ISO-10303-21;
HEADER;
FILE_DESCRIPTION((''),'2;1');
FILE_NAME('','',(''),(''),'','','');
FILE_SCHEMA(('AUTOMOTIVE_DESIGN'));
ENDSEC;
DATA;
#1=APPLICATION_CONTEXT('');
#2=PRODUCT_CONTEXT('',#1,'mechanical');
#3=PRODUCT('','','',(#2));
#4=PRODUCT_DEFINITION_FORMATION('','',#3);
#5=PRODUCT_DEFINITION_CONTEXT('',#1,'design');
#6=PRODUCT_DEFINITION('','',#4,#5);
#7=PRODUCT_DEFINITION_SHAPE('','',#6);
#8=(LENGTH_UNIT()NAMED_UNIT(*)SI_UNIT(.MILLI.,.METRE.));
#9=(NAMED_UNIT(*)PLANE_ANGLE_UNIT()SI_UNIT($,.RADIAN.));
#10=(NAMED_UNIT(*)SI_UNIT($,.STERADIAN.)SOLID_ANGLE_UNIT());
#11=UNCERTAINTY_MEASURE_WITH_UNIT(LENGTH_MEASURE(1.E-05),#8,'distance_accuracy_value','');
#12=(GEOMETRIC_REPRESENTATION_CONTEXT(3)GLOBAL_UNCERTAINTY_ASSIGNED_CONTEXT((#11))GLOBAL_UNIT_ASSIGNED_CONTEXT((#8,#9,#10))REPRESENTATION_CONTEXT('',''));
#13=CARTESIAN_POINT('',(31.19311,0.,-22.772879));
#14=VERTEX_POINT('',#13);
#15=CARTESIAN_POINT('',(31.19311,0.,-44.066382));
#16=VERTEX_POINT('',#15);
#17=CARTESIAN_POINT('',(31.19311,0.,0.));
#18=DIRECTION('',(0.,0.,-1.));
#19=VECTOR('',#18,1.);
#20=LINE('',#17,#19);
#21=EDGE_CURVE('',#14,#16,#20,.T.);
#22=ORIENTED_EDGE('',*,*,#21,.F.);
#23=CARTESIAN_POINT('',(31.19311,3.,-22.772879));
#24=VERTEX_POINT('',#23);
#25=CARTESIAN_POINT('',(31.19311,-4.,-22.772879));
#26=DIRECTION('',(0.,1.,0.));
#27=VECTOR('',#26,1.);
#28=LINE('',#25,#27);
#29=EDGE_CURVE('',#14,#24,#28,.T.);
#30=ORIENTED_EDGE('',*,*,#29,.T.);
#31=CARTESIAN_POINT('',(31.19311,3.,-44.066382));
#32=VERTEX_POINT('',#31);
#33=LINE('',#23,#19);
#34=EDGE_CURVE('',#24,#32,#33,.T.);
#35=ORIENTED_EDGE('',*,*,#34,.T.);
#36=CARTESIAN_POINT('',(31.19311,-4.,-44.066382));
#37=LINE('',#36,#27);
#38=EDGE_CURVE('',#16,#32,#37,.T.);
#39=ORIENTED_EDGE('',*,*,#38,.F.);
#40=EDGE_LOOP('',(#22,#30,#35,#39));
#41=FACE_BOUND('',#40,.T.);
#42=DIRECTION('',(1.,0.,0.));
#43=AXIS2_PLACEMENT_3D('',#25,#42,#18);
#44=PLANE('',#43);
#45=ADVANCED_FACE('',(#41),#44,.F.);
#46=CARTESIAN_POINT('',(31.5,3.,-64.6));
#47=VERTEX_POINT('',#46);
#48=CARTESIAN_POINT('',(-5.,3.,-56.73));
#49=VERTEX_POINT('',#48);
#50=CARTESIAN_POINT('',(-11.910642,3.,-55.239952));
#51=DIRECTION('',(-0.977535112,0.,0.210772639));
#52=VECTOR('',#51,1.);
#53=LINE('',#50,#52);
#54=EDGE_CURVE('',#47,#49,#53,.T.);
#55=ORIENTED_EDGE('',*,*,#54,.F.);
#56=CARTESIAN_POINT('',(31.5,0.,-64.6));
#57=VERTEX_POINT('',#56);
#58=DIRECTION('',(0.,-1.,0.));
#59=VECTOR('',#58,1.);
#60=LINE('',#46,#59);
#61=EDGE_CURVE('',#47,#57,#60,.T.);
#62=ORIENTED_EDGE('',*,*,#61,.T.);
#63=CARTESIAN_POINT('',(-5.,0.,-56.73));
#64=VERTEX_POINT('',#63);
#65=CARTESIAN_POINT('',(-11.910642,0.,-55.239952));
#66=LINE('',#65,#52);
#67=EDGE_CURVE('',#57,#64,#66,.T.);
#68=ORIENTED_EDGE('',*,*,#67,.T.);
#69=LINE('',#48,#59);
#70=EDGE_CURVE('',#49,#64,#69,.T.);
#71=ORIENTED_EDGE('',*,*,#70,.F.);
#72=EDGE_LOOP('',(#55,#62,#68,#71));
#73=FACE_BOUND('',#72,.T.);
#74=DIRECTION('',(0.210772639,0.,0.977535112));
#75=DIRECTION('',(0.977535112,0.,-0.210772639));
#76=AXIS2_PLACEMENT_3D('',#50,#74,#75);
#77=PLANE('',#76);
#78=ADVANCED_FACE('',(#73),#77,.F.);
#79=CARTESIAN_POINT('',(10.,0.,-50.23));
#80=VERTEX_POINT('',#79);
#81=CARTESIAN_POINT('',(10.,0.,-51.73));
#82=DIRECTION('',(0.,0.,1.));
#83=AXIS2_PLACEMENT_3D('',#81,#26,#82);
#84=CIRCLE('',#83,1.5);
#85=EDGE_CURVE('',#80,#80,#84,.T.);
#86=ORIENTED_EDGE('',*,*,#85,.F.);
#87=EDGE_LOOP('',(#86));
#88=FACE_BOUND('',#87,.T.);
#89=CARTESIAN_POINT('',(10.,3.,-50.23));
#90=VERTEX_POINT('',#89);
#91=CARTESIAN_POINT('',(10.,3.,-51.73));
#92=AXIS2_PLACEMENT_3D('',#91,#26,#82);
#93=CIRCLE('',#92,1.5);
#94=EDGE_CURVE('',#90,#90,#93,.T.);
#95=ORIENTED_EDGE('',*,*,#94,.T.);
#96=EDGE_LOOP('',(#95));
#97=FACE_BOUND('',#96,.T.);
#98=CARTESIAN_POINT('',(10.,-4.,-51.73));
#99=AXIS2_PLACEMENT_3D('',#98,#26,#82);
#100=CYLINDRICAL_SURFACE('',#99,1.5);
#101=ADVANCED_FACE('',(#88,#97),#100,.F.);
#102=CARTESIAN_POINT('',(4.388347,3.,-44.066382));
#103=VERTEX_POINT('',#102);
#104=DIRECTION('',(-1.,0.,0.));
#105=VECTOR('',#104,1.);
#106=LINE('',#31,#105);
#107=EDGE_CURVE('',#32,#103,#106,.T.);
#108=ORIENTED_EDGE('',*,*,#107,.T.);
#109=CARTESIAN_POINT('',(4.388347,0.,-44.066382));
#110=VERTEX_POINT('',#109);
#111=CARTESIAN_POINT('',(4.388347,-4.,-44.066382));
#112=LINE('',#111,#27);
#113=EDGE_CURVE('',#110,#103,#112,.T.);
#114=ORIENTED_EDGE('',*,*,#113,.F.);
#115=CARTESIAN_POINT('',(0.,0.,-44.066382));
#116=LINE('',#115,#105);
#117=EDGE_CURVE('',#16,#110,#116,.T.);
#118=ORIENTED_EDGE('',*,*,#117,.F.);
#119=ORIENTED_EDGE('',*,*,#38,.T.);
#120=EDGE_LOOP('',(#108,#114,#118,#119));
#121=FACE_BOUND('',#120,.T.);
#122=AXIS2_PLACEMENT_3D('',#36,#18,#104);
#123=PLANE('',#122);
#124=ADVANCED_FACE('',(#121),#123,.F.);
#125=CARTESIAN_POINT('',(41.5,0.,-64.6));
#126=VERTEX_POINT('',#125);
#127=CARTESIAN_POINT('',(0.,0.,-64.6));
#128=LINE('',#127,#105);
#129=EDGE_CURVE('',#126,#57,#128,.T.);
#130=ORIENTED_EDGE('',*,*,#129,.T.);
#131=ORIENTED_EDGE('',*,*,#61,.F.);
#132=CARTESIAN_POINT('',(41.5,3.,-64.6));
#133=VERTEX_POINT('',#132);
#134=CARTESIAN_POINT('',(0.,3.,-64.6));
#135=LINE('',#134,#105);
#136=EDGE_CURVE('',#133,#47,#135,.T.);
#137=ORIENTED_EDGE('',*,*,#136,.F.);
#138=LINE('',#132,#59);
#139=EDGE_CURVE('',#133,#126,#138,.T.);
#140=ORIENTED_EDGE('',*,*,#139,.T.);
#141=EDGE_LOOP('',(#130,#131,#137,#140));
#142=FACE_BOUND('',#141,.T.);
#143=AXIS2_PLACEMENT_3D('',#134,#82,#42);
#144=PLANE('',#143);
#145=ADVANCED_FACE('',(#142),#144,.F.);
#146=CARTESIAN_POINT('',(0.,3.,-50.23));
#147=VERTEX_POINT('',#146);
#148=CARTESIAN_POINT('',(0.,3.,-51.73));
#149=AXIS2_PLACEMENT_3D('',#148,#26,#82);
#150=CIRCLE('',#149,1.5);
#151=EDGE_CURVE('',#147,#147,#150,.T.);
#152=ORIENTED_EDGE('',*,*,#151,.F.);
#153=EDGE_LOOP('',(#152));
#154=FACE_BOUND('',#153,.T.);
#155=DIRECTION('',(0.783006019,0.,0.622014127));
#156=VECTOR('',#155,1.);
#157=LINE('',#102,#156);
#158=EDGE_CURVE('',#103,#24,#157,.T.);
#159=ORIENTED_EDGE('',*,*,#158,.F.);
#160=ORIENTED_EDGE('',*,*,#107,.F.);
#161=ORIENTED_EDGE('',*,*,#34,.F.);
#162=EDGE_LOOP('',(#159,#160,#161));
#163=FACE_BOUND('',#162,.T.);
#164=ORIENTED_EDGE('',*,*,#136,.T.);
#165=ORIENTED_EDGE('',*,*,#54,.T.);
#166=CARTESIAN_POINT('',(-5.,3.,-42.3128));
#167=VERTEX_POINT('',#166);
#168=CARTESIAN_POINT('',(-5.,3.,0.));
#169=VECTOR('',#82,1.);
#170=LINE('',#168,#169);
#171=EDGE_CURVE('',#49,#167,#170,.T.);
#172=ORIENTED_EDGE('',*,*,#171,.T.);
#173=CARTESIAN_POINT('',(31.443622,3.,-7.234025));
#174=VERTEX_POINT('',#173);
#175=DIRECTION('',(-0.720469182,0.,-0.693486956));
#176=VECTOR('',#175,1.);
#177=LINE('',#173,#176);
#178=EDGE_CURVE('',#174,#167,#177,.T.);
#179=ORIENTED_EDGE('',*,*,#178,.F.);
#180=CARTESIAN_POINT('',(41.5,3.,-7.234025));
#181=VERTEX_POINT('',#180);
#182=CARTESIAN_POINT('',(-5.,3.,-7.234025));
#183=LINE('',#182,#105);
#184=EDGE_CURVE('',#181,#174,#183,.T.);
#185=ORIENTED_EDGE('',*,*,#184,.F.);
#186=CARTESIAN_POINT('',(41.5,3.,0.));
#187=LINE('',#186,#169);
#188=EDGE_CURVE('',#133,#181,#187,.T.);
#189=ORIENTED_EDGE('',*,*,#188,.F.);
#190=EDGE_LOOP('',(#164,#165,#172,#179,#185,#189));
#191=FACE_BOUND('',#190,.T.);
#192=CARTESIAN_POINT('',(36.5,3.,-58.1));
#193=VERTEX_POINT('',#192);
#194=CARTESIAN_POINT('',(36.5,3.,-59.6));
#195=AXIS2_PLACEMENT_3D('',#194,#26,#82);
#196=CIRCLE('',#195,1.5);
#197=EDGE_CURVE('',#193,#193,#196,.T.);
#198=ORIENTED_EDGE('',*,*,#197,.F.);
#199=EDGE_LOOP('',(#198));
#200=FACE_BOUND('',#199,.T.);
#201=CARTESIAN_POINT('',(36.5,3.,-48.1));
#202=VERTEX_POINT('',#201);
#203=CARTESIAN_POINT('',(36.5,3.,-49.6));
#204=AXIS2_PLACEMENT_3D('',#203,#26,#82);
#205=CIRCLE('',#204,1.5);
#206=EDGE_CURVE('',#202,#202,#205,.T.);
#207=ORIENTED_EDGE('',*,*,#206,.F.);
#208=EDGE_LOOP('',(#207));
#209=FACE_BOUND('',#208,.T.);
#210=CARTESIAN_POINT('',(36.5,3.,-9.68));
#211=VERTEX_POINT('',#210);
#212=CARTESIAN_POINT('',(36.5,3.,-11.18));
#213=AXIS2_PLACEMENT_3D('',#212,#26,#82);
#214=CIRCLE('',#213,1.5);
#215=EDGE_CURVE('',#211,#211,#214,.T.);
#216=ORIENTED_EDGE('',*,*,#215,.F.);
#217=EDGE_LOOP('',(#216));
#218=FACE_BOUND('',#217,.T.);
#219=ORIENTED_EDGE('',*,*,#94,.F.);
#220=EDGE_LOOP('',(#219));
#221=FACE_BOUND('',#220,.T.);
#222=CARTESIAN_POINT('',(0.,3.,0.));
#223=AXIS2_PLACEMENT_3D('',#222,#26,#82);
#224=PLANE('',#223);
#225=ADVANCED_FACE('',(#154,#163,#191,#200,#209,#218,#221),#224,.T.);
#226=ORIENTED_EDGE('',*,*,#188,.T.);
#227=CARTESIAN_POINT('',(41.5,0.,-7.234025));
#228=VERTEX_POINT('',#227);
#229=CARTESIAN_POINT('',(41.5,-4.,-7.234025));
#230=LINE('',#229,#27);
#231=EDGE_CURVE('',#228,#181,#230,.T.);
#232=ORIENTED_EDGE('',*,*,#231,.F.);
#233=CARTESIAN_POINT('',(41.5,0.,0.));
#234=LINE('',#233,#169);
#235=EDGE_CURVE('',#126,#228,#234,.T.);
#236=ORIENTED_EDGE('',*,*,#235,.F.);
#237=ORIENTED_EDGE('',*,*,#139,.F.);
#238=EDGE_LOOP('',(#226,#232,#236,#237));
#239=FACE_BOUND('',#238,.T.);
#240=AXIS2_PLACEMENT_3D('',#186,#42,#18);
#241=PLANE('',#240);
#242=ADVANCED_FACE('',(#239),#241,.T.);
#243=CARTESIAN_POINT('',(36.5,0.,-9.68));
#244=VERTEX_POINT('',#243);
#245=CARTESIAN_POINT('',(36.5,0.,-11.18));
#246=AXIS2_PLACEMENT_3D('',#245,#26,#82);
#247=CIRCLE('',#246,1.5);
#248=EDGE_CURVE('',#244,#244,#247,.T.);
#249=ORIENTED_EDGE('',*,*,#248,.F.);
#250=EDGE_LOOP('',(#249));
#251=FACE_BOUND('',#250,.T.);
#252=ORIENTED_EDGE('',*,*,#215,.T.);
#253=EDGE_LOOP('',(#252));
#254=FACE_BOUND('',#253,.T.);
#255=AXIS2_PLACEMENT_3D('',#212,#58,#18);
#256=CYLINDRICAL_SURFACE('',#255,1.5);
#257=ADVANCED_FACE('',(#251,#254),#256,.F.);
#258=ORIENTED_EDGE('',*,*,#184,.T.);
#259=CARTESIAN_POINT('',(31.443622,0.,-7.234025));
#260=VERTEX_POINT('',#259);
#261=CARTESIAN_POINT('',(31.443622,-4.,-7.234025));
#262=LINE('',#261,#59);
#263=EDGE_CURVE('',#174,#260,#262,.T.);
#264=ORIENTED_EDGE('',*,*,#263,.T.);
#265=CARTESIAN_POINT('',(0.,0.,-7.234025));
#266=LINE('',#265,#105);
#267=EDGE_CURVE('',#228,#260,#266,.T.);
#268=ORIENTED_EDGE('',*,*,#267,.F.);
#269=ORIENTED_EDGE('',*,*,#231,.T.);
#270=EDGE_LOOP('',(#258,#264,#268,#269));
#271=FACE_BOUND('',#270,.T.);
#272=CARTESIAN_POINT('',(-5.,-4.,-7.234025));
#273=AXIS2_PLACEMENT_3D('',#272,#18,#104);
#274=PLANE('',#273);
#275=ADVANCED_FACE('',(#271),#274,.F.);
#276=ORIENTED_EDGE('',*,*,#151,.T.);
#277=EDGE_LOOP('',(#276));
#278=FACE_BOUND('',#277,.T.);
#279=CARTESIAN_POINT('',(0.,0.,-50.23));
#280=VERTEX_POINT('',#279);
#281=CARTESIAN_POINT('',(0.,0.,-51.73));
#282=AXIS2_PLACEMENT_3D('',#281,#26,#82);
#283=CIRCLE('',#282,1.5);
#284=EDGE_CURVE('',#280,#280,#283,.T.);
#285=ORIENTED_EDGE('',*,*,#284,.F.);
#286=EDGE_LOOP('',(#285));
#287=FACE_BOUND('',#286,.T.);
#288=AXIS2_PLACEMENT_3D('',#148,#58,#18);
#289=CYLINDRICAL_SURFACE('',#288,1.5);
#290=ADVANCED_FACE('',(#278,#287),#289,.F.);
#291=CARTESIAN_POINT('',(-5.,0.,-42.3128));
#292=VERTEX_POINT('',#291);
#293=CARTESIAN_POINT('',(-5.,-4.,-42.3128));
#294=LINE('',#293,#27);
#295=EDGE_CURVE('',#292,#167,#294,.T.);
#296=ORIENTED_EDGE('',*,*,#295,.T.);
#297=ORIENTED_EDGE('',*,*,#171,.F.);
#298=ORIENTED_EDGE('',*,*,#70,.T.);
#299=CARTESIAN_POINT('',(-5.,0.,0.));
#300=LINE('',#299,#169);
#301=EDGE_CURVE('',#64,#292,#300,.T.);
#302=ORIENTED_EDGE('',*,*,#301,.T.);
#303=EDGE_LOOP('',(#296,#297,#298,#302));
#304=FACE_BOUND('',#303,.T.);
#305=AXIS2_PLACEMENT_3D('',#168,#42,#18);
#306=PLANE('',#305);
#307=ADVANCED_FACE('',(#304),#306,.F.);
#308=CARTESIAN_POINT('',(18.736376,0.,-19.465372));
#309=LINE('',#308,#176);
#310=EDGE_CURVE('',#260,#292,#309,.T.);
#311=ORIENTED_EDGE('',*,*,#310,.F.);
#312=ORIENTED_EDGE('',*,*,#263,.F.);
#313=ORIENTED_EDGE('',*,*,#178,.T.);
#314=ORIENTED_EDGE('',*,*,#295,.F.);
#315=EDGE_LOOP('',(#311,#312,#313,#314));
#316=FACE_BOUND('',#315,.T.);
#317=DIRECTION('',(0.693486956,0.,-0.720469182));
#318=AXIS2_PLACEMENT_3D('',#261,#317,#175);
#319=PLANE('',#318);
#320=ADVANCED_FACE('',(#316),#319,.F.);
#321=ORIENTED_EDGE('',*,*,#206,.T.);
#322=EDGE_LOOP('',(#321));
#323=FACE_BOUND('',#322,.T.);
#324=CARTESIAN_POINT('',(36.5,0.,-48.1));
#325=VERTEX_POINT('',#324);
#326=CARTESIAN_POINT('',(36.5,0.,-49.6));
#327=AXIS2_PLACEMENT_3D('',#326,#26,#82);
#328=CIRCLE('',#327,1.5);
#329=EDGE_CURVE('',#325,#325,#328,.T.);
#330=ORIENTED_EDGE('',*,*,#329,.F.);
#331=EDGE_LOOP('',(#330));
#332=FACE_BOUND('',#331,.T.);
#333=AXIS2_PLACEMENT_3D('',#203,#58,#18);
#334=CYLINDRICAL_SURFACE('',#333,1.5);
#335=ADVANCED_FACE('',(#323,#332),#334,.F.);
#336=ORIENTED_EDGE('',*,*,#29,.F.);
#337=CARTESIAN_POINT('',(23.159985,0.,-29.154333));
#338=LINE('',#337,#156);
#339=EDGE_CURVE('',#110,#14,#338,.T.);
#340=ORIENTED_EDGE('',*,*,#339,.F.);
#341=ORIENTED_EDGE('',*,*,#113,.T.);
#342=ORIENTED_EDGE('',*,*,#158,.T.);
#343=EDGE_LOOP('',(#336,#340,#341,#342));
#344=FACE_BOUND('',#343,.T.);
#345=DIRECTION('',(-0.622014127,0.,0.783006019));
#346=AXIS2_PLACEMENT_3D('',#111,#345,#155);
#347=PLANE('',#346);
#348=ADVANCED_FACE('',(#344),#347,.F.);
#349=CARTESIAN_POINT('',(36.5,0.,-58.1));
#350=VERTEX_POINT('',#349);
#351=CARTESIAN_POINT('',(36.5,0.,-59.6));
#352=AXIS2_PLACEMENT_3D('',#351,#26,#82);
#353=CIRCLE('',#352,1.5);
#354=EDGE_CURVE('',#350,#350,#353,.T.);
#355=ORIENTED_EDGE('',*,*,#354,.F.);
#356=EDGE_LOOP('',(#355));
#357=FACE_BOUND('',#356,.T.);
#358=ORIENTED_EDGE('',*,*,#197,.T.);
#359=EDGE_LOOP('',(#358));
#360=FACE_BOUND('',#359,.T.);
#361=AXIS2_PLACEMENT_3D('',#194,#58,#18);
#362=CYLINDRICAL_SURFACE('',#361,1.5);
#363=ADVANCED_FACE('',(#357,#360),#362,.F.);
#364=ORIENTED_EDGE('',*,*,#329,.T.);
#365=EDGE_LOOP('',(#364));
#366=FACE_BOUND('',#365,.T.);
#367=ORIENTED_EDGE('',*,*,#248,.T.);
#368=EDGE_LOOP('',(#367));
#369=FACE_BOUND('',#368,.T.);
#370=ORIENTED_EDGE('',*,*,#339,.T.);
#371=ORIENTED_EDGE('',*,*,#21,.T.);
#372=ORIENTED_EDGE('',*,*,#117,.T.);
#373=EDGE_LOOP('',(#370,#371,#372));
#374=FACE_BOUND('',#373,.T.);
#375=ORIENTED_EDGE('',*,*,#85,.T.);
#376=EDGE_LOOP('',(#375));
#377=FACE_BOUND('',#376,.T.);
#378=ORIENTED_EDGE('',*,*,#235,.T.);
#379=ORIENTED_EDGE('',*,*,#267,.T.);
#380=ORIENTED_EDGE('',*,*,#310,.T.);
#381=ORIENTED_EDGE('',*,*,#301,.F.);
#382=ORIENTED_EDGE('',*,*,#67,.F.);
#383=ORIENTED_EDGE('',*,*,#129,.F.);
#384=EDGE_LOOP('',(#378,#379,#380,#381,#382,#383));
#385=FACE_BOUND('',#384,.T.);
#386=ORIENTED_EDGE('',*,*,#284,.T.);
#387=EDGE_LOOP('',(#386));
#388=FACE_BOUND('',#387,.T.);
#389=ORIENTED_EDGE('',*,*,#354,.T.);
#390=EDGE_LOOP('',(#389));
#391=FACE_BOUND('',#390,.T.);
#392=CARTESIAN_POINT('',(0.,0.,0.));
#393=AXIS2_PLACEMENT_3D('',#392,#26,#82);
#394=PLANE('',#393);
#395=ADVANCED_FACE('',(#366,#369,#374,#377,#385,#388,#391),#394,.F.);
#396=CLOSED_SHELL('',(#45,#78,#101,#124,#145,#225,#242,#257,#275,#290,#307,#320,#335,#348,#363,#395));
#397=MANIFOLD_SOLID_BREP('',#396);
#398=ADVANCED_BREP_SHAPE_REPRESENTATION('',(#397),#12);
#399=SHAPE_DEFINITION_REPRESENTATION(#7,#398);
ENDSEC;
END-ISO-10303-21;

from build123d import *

# Parameters (mm, degrees)
SKETCH1_R           = 1.5
BOSS_EXTRUDE1_DEPTH = 3
SKETCH4_R           = 1.5
CUT_EXTRUDE2_DEPTH  = 7
SKETCH5_W           = 46.5
SKETCH5_H           = 2
CUT_EXTRUDE3_DEPTH  = 7
CUT_EXTRUDE4_DEPTH  = 7
CUT_EXTRUDE5_DEPTH  = 7


with BuildPart() as part:
    # Sketch1 → Boss-Extrude1 (new body)
    with BuildSketch(Plane(origin=(0, 0, 0), x_dir=(1, 0, 0), z_dir=(0, 1, 0))):
        Polygon((5, 16.666723622), (5, 56.73), (-5, 56.73), (-5, 5.234024539), (5, 5.234024539), (31.5, 5.234024539), (41.5, 5.234024539), (41.5, 64.6), (31.5, 64.6), (31.5, 54.48), (31.5, 16.666723622), align=None)
        with Locations((0, 10.18)):
            Circle(SKETCH1_R, mode=Mode.SUBTRACT)
        with Locations((36.5, 11.18)):
            Circle(SKETCH1_R, mode=Mode.SUBTRACT)
        with Locations((0, 51.73)):
            Circle(SKETCH1_R, mode=Mode.SUBTRACT)
        with Locations((36.5, 49.6)):
            Circle(SKETCH1_R, mode=Mode.SUBTRACT)
        with Locations((36.5, 59.6)):
            Circle(SKETCH1_R, mode=Mode.SUBTRACT)
        Polygon((-5, 56.73), (5, 56.73), (31.5, 54.48), (31.5, 64.6), align=None)
        Polygon((31.5, 54.48), (5, 56.73), (5, 16.666723622), (31.5, 16.666723622), align=None)
    extrude(amount=BOSS_EXTRUDE1_DEPTH)

    # Sketch4 → Cut-Extrude2 (cut)
    with BuildSketch(Plane(origin=(0, 3, 0), x_dir=(1, 0, 0), z_dir=(0, 1, 0))):
        with Locations((10, 51.73)):
            Circle(SKETCH4_R)
    extrude(amount=-CUT_EXTRUDE2_DEPTH, mode=Mode.SUBTRACT)

    # Sketch5 → Cut-Extrude3 (cut)
    with BuildSketch(Plane(origin=(0, 3, 0), x_dir=(1, 0, 0), z_dir=(0, 1, 0))):
        with Locations((18.25, 6.234024539)):
            Rectangle(SKETCH5_W, SKETCH5_H)
    extrude(amount=-CUT_EXTRUDE3_DEPTH, mode=Mode.SUBTRACT)

    # Sketch6 → Cut-Extrude4 (cut)
    with BuildSketch(Plane(origin=(0, 3, 0), x_dir=(1, 0, 0), z_dir=(0, 1, 0))):
        Polygon((31.443621834, 7.234024539), (-5, 42.312799573), (-5, 7.234024539), align=None)
    extrude(amount=-CUT_EXTRUDE4_DEPTH, mode=Mode.SUBTRACT)

    # Sketch7 → Cut-Extrude5 (cut)
    with BuildSketch(Plane(origin=(0, 3, 0), x_dir=(1, 0, 0), z_dir=(0, 1, 0))):
        Polygon((31.193110027, 22.772878628), (31.193110027, 44.066382221), (4.388346681, 44.066382221), align=None)
    extrude(amount=-CUT_EXTRUDE5_DEPTH, mode=Mode.SUBTRACT)


solid = part.part
